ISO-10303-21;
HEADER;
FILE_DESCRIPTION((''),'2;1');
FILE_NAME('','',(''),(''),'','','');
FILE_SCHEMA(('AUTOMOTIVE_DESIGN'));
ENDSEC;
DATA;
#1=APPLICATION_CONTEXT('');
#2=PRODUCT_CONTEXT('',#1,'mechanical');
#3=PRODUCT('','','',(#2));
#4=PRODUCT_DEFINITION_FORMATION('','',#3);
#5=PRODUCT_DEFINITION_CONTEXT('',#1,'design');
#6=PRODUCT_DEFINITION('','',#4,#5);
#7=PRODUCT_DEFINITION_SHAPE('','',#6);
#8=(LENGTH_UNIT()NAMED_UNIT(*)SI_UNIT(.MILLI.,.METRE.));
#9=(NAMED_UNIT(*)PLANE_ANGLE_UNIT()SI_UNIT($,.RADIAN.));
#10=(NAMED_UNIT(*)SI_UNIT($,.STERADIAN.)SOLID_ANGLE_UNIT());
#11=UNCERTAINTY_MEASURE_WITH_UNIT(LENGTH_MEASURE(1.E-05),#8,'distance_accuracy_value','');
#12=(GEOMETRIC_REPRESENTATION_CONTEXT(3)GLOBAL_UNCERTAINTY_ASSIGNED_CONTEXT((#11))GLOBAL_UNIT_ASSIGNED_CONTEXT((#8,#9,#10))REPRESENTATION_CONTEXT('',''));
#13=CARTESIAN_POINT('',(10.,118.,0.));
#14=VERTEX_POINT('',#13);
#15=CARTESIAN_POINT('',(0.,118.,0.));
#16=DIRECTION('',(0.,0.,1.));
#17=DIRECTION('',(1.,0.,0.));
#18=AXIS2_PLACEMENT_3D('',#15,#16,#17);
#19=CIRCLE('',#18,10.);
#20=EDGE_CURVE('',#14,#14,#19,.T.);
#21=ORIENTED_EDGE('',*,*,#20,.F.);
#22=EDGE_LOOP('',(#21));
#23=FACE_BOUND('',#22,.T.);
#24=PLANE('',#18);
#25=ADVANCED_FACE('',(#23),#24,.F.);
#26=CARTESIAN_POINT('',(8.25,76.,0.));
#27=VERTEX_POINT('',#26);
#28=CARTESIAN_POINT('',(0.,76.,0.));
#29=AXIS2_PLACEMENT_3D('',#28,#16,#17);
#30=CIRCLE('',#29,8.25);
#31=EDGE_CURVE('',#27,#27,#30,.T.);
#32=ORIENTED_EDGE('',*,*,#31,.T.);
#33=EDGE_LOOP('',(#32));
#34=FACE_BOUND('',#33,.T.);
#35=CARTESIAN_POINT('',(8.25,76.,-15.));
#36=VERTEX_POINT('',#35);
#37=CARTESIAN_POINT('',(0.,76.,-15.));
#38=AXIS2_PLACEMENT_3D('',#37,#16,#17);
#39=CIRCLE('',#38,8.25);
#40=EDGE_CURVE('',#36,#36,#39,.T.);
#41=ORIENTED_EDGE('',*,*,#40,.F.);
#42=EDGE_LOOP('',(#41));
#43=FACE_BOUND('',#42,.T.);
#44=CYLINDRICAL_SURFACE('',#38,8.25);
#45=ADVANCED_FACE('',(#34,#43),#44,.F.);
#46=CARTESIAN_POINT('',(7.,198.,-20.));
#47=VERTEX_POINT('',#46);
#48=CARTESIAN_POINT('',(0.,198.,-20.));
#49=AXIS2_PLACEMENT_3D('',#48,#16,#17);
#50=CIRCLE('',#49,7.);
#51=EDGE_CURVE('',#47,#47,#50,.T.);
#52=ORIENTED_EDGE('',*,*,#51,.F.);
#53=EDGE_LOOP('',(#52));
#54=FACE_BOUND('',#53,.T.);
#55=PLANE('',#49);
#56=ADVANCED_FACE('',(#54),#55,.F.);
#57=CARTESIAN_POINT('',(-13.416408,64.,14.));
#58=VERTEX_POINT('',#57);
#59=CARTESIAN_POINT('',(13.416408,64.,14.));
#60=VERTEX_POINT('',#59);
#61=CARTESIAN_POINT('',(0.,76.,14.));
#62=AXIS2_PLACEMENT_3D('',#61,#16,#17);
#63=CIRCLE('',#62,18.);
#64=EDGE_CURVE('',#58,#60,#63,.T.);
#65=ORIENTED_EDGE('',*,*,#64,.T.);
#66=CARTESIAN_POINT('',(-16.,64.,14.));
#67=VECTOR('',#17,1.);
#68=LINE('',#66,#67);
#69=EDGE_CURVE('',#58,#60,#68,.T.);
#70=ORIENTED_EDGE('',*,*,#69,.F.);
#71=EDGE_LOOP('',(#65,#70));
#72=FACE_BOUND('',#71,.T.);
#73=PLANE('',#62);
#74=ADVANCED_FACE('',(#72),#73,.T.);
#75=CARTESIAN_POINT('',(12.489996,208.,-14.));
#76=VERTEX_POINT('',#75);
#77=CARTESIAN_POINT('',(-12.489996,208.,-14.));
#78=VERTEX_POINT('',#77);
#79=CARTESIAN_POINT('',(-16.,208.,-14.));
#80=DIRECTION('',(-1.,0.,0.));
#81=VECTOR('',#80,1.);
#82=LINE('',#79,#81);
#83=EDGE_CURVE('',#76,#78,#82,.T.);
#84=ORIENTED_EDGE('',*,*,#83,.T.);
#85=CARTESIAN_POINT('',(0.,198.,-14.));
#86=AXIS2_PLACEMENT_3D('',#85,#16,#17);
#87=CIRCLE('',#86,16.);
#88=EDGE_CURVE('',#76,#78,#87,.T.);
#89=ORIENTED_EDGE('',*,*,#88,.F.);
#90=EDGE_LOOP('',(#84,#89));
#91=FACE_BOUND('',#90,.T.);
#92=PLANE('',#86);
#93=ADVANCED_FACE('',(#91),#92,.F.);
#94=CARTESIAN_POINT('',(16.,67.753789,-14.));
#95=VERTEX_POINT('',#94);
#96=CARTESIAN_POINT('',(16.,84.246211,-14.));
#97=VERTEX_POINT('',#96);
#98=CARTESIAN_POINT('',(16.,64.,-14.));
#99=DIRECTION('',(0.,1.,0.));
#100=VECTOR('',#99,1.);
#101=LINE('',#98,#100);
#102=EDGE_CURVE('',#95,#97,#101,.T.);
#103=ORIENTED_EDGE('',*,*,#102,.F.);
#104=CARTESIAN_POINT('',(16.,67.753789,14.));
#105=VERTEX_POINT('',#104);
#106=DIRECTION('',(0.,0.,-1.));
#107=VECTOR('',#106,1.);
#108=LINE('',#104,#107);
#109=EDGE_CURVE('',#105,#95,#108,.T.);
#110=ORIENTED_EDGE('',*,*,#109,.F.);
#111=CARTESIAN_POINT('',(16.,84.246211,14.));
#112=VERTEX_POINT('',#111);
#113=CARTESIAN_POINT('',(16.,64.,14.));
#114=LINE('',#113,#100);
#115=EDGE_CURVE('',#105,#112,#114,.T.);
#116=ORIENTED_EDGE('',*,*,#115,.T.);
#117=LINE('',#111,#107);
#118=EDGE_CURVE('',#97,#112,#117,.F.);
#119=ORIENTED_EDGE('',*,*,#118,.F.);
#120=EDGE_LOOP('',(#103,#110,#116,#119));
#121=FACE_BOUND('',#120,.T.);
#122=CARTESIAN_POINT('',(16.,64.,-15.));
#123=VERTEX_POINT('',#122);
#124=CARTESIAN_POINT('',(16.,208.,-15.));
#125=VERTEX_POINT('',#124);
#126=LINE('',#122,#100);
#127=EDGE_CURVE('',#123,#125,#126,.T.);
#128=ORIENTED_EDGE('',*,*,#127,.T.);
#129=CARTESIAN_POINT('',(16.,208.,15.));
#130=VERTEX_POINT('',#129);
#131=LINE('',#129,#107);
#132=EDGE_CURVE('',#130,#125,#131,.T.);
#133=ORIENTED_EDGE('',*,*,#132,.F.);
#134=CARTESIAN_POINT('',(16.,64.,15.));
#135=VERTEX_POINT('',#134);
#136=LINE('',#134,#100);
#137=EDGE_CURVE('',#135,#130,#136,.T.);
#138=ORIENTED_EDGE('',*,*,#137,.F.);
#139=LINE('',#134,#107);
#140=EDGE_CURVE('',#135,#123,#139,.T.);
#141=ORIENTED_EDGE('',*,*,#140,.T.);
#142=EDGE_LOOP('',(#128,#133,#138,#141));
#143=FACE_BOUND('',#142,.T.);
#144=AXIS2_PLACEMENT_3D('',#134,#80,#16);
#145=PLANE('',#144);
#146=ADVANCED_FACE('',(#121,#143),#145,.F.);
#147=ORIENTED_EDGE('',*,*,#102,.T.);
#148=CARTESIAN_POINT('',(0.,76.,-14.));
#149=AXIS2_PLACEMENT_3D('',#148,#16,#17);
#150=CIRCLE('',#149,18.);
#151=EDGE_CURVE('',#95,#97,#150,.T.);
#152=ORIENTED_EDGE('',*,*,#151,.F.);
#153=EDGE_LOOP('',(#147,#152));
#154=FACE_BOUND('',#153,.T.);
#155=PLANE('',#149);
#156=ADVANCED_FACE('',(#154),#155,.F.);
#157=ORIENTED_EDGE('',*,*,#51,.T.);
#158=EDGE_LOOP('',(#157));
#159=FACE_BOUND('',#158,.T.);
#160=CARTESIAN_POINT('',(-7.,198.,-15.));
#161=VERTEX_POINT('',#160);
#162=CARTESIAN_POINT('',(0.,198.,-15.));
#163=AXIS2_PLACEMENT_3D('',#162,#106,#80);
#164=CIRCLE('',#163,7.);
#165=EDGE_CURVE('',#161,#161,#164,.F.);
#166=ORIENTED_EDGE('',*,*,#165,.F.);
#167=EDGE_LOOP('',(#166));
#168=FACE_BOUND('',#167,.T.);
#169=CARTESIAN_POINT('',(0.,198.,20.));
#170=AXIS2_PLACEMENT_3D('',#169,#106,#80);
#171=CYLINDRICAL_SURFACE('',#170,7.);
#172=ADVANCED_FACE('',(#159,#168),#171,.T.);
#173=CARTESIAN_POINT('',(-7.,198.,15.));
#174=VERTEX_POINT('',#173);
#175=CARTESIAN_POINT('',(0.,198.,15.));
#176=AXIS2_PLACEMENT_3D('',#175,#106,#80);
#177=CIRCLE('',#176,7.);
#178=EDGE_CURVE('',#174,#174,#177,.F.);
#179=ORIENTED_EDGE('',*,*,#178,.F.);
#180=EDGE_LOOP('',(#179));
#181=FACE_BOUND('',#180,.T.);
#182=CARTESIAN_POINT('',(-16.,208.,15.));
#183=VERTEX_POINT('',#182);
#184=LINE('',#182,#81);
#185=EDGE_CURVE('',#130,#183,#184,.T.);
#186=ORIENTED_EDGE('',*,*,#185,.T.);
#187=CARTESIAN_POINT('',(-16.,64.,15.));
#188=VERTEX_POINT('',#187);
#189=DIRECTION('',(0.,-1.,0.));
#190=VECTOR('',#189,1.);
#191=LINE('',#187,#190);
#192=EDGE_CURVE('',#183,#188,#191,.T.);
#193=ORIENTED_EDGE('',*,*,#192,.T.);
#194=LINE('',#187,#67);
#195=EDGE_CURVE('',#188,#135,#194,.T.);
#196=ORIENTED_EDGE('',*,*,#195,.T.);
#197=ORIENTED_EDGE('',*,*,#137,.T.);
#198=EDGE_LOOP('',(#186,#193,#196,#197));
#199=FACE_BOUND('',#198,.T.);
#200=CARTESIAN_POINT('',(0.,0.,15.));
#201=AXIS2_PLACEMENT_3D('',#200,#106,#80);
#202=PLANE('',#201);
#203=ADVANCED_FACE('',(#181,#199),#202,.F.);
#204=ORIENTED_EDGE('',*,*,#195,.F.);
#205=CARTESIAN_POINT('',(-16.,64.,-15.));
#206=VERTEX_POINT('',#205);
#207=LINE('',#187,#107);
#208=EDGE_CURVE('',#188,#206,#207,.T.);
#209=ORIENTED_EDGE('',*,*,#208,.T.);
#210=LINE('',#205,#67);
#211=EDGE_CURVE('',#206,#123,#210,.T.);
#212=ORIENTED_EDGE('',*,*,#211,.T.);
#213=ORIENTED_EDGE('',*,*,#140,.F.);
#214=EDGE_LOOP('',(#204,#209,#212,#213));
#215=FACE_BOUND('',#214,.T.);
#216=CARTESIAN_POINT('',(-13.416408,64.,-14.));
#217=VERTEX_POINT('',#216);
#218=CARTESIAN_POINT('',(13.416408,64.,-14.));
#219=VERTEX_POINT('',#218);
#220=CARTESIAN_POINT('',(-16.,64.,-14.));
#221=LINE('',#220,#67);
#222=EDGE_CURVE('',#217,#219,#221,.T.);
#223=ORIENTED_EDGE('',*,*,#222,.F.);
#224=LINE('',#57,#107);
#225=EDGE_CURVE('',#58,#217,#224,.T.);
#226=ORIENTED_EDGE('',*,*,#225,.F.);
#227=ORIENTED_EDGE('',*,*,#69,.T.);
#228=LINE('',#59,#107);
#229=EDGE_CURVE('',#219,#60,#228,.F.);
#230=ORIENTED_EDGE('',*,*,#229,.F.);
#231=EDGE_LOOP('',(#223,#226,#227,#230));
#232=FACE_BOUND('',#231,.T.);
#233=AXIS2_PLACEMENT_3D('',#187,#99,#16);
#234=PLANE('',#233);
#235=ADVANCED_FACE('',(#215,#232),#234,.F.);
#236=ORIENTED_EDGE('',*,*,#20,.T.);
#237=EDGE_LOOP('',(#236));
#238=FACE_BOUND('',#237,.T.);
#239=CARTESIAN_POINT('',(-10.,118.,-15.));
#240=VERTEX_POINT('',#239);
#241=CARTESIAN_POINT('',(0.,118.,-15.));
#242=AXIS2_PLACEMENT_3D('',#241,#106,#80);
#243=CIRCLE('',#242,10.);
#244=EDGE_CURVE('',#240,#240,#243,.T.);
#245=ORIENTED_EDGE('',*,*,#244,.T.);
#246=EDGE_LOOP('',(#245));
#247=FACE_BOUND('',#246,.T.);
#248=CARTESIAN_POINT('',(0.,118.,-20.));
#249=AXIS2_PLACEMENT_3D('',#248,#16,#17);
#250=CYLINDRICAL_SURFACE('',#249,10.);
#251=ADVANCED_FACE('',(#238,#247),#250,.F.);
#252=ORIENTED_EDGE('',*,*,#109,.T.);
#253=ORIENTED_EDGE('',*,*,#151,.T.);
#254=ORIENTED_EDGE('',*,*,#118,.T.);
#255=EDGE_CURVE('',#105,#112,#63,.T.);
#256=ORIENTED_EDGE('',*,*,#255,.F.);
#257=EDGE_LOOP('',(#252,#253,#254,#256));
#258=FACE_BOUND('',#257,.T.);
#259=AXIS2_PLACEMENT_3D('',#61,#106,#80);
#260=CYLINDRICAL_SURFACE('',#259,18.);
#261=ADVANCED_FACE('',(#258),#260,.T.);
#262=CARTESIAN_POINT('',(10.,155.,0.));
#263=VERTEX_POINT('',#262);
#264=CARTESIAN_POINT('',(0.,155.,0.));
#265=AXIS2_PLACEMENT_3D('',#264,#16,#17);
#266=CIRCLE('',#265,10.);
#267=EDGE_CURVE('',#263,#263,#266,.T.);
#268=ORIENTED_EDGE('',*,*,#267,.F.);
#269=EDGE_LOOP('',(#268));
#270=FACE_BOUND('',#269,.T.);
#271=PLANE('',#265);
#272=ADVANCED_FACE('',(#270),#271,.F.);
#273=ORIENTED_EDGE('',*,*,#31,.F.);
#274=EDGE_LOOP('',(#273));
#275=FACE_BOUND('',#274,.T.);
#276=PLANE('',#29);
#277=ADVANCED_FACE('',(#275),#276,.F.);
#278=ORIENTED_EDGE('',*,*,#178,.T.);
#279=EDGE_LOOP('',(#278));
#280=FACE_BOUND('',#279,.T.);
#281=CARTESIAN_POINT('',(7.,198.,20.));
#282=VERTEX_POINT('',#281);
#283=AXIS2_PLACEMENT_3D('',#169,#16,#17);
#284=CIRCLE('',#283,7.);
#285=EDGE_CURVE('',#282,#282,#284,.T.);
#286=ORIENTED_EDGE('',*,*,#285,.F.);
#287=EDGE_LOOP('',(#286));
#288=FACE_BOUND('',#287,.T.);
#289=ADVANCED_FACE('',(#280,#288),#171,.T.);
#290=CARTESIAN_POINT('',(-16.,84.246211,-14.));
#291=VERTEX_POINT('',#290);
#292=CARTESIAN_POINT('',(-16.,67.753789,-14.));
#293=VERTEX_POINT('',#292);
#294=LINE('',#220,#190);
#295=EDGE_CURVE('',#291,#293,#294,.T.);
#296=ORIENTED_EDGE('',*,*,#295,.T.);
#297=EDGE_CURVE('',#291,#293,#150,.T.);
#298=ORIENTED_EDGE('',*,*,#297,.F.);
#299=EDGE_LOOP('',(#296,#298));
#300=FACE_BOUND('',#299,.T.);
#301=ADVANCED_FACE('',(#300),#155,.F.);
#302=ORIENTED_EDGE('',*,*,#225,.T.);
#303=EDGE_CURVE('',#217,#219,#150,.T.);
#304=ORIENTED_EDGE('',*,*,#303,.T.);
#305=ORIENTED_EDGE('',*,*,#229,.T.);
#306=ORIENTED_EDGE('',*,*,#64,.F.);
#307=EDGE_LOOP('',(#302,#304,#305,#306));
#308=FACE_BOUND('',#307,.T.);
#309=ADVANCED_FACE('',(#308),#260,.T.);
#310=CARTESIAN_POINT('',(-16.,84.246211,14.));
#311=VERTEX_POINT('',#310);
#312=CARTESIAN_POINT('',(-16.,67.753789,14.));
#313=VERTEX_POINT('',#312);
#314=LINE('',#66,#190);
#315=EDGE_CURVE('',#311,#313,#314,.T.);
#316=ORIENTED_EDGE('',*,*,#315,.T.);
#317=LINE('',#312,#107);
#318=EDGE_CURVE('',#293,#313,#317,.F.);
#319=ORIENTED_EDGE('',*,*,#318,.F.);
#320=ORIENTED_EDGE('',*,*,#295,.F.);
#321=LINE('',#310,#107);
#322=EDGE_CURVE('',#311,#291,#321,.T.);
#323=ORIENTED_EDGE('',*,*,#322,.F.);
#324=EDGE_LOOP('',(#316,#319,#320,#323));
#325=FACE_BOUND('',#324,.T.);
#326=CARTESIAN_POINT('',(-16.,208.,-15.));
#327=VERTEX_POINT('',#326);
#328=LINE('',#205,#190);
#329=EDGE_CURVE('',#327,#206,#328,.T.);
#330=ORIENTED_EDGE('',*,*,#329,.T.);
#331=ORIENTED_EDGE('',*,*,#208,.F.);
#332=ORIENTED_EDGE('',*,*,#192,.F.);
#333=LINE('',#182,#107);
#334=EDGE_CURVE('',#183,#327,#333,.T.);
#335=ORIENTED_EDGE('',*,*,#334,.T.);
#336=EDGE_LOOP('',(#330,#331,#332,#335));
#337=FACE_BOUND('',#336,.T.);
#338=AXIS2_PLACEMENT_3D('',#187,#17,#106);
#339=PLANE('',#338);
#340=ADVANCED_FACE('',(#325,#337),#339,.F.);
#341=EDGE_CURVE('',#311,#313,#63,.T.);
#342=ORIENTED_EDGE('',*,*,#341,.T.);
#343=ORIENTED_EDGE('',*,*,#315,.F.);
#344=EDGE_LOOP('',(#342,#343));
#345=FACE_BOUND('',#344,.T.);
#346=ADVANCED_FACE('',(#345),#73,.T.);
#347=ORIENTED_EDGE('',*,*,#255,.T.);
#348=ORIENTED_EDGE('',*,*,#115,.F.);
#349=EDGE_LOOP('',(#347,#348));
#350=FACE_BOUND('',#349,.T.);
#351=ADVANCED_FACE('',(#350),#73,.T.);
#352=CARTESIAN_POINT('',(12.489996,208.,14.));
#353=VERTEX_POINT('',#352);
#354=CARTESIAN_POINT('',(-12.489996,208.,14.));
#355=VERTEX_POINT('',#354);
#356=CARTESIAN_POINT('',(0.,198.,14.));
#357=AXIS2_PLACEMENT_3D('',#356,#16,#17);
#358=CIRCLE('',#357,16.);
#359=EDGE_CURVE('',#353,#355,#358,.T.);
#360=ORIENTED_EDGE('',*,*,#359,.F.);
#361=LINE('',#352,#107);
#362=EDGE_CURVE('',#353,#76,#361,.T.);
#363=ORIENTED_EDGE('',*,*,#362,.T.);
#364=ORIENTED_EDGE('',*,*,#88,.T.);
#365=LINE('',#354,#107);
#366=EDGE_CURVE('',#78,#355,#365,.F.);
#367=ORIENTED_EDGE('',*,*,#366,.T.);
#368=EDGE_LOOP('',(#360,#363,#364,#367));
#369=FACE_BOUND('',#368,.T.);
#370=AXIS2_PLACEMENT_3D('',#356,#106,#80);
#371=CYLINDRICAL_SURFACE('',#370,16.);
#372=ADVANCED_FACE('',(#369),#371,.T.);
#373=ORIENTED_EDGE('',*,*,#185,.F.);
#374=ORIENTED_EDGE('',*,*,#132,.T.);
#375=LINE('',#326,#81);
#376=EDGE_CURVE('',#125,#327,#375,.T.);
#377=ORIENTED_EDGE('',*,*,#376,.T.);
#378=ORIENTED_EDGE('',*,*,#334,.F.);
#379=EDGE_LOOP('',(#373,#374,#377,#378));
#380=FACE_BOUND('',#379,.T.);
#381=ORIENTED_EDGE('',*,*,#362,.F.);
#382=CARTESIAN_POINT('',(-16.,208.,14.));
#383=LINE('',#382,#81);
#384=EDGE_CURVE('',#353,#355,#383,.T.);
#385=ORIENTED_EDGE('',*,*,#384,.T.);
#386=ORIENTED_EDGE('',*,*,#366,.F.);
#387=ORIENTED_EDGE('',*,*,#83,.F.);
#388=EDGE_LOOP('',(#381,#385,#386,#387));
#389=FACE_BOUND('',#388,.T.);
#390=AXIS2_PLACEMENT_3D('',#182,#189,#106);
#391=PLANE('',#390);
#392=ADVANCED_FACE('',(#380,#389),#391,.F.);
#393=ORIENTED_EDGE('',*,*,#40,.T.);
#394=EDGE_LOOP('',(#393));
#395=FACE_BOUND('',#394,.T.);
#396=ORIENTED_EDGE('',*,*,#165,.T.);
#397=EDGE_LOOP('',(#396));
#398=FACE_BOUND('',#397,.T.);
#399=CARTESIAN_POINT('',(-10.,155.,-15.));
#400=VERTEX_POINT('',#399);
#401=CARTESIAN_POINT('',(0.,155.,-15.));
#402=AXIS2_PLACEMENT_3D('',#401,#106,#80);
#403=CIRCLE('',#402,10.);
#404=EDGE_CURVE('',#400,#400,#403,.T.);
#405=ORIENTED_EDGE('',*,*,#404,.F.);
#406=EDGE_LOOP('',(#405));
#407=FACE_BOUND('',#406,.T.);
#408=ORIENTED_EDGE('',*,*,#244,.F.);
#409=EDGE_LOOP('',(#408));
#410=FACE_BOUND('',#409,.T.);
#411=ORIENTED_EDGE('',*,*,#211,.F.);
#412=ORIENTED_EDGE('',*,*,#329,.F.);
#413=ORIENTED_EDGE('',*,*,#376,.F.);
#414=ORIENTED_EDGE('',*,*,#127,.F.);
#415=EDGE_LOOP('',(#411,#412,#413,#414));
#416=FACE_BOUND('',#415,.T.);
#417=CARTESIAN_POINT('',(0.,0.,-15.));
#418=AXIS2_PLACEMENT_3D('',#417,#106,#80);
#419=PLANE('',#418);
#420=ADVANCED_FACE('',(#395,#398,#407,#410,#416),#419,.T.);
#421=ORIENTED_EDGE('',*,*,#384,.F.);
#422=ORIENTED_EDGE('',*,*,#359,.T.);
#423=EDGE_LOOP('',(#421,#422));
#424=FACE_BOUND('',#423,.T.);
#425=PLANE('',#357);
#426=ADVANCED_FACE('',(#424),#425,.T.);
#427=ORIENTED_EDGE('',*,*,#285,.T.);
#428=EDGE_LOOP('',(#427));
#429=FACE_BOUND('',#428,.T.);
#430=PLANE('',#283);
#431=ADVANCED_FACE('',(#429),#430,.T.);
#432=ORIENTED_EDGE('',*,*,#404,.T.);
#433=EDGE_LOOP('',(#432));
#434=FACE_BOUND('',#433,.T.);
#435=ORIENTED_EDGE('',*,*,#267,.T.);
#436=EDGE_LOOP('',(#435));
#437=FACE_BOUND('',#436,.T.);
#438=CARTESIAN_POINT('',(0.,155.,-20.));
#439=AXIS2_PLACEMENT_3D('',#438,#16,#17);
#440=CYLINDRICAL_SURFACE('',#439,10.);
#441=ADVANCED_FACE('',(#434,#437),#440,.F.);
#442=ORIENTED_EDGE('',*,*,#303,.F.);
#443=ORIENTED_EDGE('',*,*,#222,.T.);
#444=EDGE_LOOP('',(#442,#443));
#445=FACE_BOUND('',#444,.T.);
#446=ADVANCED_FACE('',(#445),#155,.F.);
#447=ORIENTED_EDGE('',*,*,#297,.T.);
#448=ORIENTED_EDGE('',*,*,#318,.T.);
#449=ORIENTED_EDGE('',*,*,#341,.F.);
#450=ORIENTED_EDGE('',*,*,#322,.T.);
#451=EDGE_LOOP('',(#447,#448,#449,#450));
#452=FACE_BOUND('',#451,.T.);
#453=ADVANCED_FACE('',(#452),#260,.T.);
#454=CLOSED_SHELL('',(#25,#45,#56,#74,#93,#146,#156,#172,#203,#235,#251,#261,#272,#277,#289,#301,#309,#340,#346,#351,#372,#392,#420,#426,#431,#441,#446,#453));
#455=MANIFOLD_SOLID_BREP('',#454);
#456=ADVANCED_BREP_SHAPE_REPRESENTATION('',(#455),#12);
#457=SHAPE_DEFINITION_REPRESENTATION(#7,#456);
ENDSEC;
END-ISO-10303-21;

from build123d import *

# Parameters (mm, degrees)
SKETCH1_W           = 32
SKETCH1_H           = 144
BOSS_EXTRUDE1_DEPTH = 15
SKETCH2_R           = 18
BOSS_EXTRUDE2_DEPTH = 14
SKETCH3_R           = 16
BOSS_EXTRUDE3_DEPTH = 14
SKETCH4_R           = 8.25
CUT_EXTRUDE1_DEPTH  = 216.278888886
SKETCH5_R           = 7
BOSS_EXTRUDE4_DEPTH = 20
SKETCH6_R           = 10
CUT_EXTRUDE2_DEPTH  = 216.684955433


with BuildPart() as part:
    # Sketch1 → Boss-Extrude1 (new, symmetric)
    with BuildSketch(Plane.XY):
        with Locations((0, 136)):
            Rectangle(SKETCH1_W, SKETCH1_H)
    extrude(amount=BOSS_EXTRUDE1_DEPTH, both=True)

    # Sketch2 → Boss-Extrude2 (add, symmetric)
    with BuildSketch(Plane.XY):
        with Locations((0, 76)):
            Circle(SKETCH2_R)
    extrude(amount=BOSS_EXTRUDE2_DEPTH, both=True)

    # Sketch3 → Boss-Extrude3 (add, symmetric)
    with BuildSketch(Plane.XY):
        with Locations((0, 198)):
            Circle(SKETCH3_R)
    extrude(amount=BOSS_EXTRUDE3_DEPTH, both=True)

    # Sketch4 → Cut-Extrude1 (cut, through all)
    with BuildSketch(Plane.XY):
        with Locations((0, 76)):
            Circle(SKETCH4_R)
    extrude(amount=-CUT_EXTRUDE1_DEPTH, mode=Mode.SUBTRACT)

    # Sketch5 → Boss-Extrude4 (add, symmetric)
    with BuildSketch(Plane.XY):
        with Locations(Location((0, 198, 0), (0, 0, 180))):
            Circle(SKETCH5_R)
    extrude(amount=BOSS_EXTRUDE4_DEPTH, both=True)

    # Sketch6 → Cut-Extrude2 (cut, through all)
    with BuildSketch(Plane.XY):
        with Locations((0, 118)):
            Circle(SKETCH6_R)
        with Locations((0, 155)):
            Circle(SKETCH6_R)
    extrude(amount=-CUT_EXTRUDE2_DEPTH, mode=Mode.SUBTRACT)


solid = part.part
